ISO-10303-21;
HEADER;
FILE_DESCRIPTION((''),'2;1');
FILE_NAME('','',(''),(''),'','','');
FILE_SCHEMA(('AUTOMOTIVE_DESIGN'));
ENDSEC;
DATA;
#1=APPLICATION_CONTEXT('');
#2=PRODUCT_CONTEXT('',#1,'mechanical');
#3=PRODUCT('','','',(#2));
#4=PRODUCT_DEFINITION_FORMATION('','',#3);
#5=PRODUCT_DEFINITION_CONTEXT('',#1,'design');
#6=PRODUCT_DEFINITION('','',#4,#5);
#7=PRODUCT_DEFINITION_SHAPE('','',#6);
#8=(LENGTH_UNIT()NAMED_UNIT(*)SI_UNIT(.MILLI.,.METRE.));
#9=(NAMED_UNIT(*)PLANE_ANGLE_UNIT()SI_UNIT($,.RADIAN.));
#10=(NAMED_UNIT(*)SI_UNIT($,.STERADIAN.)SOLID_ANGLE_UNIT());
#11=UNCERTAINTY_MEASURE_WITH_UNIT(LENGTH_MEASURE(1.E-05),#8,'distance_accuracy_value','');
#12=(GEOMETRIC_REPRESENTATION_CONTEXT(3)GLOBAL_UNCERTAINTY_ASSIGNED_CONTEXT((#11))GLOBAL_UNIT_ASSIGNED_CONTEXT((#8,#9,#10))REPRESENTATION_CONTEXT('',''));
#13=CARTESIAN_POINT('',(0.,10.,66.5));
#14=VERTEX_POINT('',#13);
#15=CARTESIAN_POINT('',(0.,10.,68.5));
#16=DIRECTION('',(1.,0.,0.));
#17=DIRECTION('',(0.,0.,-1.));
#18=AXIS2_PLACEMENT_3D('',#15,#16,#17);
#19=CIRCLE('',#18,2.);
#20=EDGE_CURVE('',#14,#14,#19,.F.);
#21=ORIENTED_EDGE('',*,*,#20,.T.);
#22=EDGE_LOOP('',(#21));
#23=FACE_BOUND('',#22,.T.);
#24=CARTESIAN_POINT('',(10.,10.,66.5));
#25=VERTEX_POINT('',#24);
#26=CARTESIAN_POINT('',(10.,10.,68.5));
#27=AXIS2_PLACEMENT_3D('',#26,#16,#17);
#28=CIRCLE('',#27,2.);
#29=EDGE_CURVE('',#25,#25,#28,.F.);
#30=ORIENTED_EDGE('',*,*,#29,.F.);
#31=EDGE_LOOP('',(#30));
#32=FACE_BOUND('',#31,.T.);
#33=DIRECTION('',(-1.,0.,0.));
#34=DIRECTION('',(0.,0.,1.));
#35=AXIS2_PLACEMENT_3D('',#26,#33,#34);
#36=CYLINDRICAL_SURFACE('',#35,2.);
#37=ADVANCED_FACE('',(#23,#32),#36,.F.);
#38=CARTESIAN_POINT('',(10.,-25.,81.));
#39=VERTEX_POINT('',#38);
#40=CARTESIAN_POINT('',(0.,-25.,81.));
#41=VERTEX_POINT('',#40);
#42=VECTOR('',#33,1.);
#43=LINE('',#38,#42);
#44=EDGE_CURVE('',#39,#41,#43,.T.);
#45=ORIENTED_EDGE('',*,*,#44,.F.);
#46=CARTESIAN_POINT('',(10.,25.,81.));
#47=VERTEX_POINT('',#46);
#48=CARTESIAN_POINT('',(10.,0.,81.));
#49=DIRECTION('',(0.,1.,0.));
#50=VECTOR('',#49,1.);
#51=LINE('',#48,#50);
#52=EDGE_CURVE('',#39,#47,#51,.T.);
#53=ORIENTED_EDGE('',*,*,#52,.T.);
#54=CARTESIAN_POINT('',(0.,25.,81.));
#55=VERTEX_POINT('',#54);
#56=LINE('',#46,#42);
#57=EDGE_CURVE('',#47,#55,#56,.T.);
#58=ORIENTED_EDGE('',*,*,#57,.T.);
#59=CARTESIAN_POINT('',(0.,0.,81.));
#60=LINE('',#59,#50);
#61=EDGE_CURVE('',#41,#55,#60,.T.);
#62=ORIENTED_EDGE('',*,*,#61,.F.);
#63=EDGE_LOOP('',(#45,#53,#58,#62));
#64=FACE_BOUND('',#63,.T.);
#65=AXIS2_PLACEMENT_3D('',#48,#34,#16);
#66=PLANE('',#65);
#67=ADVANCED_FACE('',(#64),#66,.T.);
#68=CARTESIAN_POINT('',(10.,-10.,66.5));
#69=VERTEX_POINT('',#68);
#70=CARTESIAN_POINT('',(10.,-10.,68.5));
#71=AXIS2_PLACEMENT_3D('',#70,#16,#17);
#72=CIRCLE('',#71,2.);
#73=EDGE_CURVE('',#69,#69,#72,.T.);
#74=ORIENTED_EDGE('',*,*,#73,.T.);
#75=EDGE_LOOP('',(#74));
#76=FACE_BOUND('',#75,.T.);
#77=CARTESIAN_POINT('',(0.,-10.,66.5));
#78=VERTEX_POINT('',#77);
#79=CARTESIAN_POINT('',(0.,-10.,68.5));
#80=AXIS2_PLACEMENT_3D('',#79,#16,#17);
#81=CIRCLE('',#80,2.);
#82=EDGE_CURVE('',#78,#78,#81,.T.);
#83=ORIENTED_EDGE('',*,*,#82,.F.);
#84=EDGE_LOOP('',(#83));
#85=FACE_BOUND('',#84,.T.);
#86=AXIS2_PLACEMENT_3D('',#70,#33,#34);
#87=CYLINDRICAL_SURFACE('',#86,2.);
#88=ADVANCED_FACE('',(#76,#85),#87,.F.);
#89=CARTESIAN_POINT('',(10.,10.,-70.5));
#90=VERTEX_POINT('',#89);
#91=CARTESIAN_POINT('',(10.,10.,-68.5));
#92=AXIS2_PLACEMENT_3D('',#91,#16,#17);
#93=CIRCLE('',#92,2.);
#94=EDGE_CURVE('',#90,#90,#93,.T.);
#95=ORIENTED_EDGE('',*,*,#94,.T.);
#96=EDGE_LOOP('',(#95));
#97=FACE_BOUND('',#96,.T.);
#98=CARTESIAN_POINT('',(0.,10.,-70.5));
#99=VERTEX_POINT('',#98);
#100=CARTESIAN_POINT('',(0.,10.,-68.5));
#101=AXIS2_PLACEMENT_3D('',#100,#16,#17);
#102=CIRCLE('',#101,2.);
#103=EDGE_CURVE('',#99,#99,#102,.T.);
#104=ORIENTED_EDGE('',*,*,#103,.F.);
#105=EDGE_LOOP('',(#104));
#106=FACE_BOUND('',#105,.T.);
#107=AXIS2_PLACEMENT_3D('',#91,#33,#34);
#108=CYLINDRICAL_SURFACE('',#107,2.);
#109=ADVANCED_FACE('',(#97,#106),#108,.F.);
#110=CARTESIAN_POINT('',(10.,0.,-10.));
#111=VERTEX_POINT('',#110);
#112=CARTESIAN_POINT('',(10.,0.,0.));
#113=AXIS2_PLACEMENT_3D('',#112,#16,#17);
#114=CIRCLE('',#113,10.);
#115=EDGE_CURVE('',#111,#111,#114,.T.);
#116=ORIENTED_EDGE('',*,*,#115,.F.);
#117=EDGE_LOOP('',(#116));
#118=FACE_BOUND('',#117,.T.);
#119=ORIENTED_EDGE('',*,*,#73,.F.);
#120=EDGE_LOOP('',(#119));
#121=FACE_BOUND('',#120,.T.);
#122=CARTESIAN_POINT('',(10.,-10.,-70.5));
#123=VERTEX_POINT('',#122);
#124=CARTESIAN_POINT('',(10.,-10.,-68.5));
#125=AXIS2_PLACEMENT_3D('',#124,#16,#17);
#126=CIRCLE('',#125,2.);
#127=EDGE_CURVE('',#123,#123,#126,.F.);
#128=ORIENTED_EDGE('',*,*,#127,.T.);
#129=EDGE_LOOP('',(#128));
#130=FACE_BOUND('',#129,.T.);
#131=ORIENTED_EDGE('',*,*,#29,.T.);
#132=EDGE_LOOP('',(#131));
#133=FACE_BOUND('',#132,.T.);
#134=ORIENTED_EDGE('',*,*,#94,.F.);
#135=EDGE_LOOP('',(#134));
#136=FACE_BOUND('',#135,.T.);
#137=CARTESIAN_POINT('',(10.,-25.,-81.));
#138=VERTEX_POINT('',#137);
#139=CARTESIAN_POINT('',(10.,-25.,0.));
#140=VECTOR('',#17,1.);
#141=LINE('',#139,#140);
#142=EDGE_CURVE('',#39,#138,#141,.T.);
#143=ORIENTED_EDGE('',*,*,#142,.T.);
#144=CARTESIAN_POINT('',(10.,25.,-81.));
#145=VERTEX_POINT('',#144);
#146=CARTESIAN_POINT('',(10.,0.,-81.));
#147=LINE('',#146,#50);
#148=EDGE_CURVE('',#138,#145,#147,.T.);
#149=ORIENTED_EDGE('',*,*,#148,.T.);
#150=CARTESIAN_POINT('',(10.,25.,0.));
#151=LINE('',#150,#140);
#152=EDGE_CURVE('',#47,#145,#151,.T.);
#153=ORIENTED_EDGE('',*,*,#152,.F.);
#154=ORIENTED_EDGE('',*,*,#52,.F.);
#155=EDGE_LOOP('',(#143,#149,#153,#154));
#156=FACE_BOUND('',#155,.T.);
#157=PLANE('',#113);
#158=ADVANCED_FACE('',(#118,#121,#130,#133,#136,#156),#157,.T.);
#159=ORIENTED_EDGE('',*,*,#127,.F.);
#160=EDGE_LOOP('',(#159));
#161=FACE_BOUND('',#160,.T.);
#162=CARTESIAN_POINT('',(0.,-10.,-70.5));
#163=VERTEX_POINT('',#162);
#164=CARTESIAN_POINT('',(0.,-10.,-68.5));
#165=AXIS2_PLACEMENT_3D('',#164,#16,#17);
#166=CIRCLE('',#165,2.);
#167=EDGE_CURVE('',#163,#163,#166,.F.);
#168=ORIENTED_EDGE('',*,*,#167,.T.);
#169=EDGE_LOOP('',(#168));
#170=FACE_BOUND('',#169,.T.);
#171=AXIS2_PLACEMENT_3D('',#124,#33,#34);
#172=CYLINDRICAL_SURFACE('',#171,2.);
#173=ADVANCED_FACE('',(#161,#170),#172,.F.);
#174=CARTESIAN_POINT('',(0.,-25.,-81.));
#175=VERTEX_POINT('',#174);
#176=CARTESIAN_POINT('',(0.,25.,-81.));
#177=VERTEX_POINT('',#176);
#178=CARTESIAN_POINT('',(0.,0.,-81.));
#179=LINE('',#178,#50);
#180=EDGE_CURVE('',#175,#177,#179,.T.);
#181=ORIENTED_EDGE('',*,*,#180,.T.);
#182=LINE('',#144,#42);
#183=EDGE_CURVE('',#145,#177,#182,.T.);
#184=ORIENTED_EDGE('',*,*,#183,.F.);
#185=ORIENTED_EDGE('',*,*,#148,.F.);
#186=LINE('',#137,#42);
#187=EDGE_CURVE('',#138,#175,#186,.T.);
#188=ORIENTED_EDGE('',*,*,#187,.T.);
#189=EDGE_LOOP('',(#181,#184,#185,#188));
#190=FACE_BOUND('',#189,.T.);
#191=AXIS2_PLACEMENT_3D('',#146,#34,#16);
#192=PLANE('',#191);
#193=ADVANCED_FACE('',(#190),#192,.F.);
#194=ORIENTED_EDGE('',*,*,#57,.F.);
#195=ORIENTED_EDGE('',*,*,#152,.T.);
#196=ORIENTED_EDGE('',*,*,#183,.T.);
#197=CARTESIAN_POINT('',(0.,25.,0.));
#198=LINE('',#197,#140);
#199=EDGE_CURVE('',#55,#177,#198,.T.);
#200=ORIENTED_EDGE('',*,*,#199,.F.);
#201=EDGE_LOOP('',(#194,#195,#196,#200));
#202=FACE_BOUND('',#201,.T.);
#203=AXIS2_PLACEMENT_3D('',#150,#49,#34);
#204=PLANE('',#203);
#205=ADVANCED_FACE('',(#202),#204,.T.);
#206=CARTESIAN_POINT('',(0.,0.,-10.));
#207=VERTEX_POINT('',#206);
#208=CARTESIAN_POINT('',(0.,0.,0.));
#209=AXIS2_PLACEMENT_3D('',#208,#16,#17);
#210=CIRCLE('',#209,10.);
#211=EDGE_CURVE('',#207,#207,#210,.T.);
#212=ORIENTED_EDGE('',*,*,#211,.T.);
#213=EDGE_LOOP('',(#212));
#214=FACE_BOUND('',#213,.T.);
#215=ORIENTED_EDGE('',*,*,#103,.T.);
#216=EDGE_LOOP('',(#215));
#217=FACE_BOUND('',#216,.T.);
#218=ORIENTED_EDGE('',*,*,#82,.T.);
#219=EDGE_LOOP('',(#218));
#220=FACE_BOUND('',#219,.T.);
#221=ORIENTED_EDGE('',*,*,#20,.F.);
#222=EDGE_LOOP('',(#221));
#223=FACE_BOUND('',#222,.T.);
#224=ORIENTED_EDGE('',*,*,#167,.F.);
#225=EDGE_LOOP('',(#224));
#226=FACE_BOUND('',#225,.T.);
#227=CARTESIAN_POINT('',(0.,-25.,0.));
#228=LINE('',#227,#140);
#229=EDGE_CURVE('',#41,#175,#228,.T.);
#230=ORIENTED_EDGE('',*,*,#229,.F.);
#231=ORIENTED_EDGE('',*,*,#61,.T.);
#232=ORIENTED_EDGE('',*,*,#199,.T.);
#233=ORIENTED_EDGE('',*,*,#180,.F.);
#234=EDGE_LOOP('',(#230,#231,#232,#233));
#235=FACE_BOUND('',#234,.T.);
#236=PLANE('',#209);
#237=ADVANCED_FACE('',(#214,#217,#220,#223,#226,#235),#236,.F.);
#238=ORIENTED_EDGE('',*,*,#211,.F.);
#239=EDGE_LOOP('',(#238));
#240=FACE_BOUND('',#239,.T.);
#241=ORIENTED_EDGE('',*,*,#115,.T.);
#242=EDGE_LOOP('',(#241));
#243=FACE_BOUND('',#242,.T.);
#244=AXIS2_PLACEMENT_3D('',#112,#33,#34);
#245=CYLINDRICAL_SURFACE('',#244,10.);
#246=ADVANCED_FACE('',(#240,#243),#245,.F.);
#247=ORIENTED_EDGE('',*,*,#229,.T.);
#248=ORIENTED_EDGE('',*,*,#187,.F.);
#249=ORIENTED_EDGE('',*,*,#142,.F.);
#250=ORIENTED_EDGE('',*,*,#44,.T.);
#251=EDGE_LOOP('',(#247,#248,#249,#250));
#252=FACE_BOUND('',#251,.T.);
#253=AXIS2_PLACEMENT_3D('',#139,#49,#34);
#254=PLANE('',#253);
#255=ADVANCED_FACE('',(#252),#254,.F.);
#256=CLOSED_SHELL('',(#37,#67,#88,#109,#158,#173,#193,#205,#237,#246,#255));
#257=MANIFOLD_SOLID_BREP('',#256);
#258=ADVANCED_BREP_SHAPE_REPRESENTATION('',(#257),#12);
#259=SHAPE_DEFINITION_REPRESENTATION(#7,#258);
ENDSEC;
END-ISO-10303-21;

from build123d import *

# Parameters (mm, degrees)
SKETCH1_W           = 162
SKETCH1_H           = 50
SKETCH1_R           = 10
SKETCH1_R_2         = 2
BOSS_EXTRUDE1_DEPTH = 10


with BuildPart() as part:
    # Sketch1 → Boss-Extrude1 (new body)
    with BuildSketch(Plane(origin=(0, 0, 0), x_dir=(0, 0, -1), z_dir=(1, 0, 0))):
        Rectangle(SKETCH1_W, SKETCH1_H)
        Circle(SKETCH1_R, mode=Mode.SUBTRACT)
        with Locations((-68.5, 10)):
            Circle(SKETCH1_R_2, mode=Mode.SUBTRACT)
        with Locations((-68.5, -10)):
            Circle(SKETCH1_R_2, mode=Mode.SUBTRACT)
        with Locations((68.5, 10)):
            Circle(SKETCH1_R_2, mode=Mode.SUBTRACT)
        with Locations((68.5, -10)):
            Circle(SKETCH1_R_2, mode=Mode.SUBTRACT)
    extrude(amount=BOSS_EXTRUDE1_DEPTH)


solid = part.part
